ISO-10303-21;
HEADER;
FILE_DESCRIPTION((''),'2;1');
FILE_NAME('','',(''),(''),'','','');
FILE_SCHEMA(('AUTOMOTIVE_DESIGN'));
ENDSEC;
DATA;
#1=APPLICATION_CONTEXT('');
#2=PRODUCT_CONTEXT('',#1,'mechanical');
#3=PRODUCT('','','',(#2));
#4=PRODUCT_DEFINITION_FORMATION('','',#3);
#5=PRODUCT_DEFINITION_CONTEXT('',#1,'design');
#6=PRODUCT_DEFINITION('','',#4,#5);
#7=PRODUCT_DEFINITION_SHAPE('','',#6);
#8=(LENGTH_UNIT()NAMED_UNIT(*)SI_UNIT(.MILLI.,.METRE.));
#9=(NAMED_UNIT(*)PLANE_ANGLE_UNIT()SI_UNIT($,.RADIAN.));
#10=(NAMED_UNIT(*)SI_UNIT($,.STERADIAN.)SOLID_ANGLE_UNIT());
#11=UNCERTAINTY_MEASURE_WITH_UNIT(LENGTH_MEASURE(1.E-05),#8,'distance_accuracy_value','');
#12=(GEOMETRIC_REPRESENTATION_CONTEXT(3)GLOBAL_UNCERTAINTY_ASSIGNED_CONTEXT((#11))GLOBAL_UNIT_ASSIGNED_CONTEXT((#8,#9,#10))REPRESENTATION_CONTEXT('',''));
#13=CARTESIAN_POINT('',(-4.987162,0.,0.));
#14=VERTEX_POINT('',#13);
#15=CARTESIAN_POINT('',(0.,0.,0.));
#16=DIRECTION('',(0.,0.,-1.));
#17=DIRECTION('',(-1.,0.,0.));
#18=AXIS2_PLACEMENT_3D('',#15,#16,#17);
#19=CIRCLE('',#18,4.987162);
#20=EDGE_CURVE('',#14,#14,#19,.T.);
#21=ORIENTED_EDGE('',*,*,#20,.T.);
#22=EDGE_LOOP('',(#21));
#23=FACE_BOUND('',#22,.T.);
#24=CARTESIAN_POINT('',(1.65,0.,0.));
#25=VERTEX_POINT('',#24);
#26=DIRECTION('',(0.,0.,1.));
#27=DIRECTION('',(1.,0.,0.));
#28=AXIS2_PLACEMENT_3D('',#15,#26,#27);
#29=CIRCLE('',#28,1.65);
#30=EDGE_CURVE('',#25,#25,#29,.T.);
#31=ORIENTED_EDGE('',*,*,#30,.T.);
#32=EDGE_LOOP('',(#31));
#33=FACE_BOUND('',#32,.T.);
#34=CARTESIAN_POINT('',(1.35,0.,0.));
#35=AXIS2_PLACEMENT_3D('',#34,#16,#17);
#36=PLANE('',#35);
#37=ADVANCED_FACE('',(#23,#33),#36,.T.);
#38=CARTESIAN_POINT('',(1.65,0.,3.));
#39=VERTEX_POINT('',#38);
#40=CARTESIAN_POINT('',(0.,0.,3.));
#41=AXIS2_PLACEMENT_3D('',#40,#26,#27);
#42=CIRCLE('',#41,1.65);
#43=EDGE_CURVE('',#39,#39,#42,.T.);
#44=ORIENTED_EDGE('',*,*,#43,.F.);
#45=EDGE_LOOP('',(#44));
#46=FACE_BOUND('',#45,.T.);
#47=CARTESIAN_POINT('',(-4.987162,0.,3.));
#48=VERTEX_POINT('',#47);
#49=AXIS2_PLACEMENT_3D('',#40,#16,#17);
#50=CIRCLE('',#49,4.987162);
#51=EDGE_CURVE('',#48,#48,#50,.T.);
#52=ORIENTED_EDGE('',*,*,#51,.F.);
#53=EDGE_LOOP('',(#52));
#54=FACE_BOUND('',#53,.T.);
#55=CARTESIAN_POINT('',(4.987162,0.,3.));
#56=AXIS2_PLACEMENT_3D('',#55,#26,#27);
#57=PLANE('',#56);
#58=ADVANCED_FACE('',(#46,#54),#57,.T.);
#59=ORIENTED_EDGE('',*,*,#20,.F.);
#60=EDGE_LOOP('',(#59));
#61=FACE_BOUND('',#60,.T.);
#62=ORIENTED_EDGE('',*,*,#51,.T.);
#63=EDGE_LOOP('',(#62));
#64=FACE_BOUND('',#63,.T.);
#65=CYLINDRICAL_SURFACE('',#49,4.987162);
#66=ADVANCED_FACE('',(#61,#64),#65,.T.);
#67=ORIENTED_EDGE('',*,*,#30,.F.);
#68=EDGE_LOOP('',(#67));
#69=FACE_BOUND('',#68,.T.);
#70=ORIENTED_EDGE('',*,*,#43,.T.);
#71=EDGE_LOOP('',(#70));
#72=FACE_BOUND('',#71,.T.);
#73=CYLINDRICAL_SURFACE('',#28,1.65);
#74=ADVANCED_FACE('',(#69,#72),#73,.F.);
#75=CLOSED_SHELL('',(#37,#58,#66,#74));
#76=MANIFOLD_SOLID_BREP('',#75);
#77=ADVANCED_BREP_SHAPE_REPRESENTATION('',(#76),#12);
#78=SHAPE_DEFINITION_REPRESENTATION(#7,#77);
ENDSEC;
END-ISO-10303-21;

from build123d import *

# Parameters (mm, degrees)
SKETCH_1_W          = 3.637162012
SKETCH_1_H          = 3
SKETCH_2_R          = 1.65
CUT_EXTRUDE_1_DEPTH = 8.664435392


with BuildPart() as part:
    # 草图1 → 旋转1 (revolve)
    with BuildSketch(Plane.XZ, mode=Mode.PRIVATE) as revolve_1_sk:
        with Locations((3.168581006, 1.5)):
            Rectangle(SKETCH_1_W, SKETCH_1_H)
    revolve(revolve_1_sk.sketch.rotate(Axis((0, 0, 3), (0, 0, -1)), 180), axis=Axis((0, 0, 3), (0, 0, -1)))

    # 草图2 → 切除-拉伸1 (cut, through all)
    with BuildSketch(Plane.XY.offset(3)):
        Circle(SKETCH_2_R)
    extrude(amount=-CUT_EXTRUDE_1_DEPTH, mode=Mode.SUBTRACT)


solid = part.part
